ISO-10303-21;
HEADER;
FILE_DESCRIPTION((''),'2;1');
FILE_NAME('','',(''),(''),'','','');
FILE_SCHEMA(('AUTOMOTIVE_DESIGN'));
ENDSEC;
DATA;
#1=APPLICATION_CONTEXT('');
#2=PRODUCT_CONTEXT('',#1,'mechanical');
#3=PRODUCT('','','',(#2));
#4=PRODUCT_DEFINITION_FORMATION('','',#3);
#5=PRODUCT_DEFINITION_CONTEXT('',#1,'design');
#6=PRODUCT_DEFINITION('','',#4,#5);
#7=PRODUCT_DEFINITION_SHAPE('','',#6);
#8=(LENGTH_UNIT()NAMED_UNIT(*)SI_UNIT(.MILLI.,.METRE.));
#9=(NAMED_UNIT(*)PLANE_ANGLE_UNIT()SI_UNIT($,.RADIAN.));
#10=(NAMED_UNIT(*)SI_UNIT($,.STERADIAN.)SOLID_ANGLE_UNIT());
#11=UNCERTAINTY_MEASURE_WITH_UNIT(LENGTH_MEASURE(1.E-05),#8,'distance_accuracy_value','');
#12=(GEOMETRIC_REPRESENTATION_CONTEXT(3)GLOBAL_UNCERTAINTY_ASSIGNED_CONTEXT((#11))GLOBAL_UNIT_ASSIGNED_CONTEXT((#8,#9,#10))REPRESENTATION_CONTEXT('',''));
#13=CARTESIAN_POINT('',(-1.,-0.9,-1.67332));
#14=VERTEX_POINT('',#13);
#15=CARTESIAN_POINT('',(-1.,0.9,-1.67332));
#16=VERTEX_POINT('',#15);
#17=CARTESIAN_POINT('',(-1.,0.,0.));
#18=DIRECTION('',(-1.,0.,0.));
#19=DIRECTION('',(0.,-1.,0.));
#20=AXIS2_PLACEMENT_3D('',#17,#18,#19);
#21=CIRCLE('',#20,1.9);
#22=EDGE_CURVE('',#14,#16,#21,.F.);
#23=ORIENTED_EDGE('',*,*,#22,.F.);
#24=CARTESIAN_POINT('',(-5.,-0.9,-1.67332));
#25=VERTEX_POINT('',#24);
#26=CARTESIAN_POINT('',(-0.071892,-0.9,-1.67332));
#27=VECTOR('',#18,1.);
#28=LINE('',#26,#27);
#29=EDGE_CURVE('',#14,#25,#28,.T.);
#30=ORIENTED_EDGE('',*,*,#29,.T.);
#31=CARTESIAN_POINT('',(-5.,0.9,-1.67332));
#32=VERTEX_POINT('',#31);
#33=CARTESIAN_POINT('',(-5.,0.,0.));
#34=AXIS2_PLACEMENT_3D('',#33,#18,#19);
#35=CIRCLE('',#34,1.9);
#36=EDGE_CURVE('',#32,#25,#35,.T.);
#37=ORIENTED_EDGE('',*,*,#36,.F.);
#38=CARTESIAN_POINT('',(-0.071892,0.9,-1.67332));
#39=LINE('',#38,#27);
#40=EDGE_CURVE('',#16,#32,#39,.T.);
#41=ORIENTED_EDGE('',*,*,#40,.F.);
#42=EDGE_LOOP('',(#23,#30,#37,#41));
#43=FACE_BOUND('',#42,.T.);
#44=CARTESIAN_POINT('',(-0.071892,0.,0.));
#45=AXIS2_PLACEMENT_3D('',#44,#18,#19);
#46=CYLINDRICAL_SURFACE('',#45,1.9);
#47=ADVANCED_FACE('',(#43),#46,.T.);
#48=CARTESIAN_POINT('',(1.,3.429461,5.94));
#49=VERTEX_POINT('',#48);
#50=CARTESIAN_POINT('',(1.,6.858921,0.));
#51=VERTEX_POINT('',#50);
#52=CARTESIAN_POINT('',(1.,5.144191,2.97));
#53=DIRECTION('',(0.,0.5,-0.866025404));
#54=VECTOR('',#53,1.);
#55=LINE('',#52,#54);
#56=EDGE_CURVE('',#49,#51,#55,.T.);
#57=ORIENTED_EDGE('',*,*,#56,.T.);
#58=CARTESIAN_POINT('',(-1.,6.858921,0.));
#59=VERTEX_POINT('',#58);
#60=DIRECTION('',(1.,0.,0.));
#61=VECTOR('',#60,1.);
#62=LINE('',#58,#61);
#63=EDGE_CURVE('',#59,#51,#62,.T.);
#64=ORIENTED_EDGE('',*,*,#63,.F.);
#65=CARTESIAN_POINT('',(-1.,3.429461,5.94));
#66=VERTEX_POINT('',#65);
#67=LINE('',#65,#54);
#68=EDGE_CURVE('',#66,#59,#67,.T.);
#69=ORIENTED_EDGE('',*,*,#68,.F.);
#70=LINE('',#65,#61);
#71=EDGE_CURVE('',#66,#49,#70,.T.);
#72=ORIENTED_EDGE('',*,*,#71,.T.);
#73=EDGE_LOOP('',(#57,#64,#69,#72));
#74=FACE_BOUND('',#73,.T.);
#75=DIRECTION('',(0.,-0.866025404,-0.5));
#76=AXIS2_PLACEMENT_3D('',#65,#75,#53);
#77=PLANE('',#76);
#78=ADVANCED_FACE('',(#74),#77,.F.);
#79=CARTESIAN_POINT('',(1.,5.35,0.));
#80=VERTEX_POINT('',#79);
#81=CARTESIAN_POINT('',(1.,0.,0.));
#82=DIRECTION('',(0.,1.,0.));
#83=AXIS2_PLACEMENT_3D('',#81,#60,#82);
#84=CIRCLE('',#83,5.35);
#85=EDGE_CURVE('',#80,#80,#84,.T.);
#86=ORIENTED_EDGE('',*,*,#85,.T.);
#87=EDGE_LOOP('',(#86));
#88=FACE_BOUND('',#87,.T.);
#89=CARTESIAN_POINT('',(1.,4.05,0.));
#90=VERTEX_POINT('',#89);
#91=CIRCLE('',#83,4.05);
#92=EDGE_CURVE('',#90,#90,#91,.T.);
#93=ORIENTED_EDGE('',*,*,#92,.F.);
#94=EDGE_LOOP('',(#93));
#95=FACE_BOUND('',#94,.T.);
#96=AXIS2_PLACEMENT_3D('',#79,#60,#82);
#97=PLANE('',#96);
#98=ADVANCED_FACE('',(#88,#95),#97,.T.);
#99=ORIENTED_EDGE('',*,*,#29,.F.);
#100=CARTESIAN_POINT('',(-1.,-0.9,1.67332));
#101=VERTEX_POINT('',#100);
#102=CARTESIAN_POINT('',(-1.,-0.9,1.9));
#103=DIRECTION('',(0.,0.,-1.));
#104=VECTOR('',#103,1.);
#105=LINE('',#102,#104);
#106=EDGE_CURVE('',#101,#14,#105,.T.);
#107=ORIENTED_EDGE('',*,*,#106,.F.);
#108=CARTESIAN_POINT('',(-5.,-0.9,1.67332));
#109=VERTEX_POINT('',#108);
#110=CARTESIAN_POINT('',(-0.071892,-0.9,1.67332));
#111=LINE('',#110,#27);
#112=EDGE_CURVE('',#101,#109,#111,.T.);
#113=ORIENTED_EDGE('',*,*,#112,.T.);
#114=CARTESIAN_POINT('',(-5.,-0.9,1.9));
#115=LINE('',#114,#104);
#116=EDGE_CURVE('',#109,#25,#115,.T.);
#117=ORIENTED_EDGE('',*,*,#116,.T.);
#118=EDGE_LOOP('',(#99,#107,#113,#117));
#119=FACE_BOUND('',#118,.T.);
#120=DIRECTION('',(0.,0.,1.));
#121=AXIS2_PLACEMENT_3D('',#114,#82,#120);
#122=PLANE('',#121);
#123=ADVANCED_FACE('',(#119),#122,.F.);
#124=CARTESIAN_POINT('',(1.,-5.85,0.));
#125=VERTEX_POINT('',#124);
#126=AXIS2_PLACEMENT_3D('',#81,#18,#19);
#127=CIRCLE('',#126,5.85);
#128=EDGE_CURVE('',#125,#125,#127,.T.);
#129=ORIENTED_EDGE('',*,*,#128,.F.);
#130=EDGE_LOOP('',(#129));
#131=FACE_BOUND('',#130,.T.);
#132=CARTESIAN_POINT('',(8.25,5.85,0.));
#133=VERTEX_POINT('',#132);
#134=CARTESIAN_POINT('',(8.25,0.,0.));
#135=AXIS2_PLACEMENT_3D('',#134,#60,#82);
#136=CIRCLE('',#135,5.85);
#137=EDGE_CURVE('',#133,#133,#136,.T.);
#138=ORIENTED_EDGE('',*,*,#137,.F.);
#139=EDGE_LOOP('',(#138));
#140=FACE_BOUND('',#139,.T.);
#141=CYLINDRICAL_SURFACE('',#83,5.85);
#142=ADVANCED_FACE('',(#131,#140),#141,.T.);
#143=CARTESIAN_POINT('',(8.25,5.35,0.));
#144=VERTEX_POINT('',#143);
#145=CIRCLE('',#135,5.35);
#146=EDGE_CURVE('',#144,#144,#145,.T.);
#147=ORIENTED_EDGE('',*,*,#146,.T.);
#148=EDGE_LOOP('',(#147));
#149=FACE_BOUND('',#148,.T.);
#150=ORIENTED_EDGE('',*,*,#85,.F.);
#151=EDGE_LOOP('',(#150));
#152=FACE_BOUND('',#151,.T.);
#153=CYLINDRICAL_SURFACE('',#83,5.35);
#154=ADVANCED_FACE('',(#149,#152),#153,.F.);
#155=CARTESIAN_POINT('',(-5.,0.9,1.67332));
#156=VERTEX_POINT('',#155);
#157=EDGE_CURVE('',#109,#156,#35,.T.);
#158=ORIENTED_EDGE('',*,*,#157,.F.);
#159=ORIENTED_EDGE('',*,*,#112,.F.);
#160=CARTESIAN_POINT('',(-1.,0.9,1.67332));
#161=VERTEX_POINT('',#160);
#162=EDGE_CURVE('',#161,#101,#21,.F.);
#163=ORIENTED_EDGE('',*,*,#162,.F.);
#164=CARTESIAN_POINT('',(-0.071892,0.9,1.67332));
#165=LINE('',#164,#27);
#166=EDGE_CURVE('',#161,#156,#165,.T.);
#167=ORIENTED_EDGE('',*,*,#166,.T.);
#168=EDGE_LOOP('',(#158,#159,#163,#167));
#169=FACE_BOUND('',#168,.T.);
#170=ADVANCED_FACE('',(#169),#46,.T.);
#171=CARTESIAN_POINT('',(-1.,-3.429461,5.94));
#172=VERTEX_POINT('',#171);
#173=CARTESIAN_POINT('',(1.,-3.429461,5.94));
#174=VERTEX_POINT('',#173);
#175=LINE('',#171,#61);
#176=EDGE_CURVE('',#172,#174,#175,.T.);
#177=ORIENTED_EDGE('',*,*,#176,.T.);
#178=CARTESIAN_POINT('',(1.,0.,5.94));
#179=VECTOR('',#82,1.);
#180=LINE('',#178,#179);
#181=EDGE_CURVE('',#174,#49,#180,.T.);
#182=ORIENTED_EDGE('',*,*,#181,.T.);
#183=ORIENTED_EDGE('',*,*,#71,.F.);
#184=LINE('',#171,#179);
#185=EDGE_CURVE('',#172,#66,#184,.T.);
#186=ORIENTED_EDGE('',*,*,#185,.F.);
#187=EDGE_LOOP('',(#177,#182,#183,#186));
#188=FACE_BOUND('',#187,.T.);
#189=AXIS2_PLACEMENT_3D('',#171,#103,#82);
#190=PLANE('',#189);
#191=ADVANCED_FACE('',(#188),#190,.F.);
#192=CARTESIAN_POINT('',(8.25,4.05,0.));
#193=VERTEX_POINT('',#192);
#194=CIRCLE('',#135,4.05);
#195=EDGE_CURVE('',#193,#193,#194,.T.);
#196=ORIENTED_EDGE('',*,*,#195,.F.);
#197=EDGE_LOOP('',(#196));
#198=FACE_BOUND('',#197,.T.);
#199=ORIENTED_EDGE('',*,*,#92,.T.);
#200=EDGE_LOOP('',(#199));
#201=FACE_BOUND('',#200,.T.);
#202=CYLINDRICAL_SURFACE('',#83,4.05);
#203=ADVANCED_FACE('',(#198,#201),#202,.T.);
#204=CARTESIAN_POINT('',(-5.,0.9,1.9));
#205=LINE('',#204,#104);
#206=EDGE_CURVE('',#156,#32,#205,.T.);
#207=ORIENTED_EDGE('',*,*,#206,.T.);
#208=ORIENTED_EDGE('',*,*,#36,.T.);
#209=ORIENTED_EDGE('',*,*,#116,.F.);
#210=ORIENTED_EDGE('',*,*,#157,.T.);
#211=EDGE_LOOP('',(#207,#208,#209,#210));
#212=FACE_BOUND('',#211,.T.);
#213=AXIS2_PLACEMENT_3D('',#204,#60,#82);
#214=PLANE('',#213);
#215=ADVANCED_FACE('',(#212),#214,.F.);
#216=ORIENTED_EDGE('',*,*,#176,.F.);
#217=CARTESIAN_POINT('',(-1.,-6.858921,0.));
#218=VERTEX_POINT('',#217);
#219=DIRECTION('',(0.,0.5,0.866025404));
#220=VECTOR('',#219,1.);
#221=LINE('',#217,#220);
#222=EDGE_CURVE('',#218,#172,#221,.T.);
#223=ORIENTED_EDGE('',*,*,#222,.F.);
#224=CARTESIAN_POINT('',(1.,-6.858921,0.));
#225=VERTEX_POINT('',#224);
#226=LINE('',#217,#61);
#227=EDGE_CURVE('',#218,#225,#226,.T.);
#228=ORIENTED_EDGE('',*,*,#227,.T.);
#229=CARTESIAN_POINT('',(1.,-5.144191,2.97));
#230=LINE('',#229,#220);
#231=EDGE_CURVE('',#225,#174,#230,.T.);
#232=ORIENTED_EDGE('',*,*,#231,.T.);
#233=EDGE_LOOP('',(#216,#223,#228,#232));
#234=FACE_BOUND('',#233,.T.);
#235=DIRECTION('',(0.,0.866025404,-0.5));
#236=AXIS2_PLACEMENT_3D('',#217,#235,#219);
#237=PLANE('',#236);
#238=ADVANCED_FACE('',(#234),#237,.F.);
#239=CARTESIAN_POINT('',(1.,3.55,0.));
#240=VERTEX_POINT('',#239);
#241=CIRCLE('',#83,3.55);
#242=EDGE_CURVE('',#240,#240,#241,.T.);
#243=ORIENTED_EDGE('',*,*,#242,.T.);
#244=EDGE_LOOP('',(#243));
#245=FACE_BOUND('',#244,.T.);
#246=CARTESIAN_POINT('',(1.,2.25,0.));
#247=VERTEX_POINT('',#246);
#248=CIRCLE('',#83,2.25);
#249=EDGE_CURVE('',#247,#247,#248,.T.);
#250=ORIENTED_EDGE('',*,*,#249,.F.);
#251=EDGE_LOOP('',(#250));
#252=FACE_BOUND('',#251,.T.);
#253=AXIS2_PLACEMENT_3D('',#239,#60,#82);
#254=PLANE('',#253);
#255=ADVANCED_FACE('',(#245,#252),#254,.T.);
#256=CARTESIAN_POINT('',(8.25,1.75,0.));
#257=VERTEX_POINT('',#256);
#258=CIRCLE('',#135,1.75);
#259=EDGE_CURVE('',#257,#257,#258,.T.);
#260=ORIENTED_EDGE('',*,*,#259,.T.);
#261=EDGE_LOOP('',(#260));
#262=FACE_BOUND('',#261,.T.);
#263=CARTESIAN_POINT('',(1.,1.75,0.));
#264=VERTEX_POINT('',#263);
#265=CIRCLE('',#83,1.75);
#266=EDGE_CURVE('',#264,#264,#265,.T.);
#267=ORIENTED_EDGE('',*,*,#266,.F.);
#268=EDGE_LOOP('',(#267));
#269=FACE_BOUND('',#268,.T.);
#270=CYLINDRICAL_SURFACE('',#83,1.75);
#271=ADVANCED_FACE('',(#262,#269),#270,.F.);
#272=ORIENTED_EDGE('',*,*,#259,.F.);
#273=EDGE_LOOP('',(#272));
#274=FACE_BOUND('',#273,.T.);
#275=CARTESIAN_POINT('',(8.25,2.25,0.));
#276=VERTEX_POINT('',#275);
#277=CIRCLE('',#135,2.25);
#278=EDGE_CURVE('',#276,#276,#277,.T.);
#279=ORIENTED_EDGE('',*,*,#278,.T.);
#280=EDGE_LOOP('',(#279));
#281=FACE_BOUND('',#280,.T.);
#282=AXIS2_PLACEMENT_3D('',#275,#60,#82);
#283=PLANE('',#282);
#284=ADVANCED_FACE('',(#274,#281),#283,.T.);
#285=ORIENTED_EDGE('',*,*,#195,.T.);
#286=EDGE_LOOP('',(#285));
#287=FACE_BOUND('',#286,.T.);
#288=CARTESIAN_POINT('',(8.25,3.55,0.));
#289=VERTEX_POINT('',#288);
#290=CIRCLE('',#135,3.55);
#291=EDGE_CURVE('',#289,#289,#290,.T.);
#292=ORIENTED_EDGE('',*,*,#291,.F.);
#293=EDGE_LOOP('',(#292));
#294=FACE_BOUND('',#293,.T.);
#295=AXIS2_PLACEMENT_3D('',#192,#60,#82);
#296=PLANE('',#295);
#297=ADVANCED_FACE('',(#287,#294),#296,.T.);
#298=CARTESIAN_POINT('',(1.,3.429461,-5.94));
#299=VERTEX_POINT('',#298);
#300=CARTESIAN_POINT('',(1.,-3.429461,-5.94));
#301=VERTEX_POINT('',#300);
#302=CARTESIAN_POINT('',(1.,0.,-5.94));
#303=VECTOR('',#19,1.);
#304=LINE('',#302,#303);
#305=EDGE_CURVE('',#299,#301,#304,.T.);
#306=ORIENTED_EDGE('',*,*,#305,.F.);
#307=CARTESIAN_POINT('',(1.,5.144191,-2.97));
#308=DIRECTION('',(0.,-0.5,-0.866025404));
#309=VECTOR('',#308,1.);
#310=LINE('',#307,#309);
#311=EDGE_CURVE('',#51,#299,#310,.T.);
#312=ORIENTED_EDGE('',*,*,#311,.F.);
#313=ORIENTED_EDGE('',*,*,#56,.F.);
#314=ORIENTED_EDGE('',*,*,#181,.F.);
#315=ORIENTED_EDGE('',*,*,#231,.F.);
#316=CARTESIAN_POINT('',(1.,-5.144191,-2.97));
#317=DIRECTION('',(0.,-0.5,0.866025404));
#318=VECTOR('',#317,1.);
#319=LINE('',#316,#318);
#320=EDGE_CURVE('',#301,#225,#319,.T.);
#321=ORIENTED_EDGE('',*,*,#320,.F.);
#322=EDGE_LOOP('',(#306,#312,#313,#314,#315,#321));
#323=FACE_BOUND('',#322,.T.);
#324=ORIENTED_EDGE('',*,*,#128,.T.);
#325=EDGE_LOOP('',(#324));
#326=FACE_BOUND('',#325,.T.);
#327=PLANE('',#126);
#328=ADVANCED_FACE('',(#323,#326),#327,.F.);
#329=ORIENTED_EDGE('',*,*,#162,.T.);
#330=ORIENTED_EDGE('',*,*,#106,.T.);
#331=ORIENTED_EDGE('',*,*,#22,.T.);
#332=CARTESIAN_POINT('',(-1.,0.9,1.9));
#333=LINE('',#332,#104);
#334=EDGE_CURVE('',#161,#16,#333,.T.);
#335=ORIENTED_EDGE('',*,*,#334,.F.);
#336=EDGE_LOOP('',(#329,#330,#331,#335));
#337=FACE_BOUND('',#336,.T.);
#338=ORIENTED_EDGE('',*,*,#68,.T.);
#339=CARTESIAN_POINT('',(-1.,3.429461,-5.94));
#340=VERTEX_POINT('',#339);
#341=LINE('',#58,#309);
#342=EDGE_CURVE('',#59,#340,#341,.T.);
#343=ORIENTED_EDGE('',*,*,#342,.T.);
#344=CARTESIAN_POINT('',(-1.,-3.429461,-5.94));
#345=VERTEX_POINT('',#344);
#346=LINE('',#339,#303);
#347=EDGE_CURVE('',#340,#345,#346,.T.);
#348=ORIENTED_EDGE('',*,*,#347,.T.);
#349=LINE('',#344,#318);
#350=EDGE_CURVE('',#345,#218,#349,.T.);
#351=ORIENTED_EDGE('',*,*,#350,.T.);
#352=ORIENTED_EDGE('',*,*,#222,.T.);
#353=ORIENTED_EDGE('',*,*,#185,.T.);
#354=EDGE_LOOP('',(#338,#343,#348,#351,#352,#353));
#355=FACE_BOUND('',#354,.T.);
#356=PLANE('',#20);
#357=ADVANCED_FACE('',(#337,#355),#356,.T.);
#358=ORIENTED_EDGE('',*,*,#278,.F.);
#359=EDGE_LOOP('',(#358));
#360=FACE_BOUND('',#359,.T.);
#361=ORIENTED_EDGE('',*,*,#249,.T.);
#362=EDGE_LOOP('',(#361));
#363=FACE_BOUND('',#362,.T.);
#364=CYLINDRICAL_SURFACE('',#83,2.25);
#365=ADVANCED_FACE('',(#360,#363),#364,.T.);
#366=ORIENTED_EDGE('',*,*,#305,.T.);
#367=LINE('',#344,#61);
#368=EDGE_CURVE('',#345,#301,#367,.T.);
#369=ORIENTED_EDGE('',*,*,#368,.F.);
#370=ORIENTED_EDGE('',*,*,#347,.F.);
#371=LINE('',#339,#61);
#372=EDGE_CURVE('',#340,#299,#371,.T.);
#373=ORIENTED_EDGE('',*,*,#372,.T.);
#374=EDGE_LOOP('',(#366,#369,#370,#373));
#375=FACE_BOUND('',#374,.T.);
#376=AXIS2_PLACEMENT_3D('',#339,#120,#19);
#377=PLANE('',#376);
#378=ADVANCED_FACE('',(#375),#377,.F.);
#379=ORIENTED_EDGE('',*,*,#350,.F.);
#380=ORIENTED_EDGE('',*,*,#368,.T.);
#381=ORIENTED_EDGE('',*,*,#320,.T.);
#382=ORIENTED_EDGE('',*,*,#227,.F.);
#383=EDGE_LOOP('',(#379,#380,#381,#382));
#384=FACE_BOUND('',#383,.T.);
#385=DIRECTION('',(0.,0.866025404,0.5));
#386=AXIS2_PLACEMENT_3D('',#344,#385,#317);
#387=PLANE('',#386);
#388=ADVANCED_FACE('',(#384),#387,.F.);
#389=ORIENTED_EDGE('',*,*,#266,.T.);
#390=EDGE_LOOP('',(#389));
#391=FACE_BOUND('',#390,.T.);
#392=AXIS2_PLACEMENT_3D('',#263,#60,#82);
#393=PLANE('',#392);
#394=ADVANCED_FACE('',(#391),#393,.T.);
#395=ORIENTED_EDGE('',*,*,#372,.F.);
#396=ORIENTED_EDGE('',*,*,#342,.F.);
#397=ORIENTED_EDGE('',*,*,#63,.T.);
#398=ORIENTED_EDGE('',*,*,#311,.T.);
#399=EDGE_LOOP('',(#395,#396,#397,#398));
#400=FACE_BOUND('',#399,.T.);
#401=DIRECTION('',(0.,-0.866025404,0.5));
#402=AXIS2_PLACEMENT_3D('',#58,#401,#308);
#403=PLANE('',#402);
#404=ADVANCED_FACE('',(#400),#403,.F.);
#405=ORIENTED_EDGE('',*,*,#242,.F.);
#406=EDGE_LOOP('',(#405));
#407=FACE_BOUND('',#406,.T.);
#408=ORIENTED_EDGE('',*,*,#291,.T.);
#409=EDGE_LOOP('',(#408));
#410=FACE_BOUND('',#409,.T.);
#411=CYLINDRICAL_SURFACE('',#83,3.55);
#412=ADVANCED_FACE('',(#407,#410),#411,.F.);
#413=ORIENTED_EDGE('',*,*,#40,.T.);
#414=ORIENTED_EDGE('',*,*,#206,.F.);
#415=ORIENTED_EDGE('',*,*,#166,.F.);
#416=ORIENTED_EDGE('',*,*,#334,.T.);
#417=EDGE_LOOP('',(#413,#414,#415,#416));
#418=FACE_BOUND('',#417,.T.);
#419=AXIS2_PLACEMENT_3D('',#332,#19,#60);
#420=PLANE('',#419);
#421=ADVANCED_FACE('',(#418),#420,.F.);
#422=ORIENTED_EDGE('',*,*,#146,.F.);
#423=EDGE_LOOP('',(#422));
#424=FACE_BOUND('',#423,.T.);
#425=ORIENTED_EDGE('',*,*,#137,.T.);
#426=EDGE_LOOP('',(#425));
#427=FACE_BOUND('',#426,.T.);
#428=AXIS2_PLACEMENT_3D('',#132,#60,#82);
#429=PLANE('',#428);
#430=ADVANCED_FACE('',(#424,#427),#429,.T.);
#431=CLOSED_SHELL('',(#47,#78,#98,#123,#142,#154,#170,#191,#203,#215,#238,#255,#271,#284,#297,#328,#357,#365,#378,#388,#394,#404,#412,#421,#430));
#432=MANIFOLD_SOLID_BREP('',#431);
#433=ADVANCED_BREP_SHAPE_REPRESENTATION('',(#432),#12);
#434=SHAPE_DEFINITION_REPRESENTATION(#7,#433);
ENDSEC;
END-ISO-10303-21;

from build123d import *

# Parameters (mm, degrees)
BOSS_EXTRUDE1_DEPTH = 1
BOSS_EXTRUDE2_START = -1
SKETCH2_3_R         = 5.85
BOSS_EXTRUDE2_DEPTH = 1
SKETCH3_W           = 4
SKETCH3_H           = 1.8
BOSS_EXTRUDE3_DEPTH = 1.9
CUT_EXTRUDE1_DEPTH  = 4


with BuildPart() as part:
    # Sketch1 → Revolve1 (revolve)
    with BuildSketch(Plane.XY):
        Polygon((0, 0), (0, 5.85), (8.25, 5.85), (8.25, 5.35), (1, 5.35), (1, 4.05), (8.25, 4.05), (8.25, 3.55), (1, 3.55), (1, 2.25), (8.25, 2.25), (8.25, 1.75), (1, 1.75), (1, 0), align=None)
    revolve(axis=Axis((1, 0, 0), (-1, 0, 0)))

    # Sketch2 → Boss-Extrude1 (add)
    with BuildSketch(Plane.ZY):
        Polygon((0, 6.858921198), (-5.94, 3.429460599), (-5.94, -3.429460599), (0, -6.858921198), (5.94, -3.429460599), (5.94, 3.429460599), align=None)
    extrude(amount=BOSS_EXTRUDE1_DEPTH)

    # Sketch2<3> → Boss-Extrude2 (add)
    with BuildSketch(Plane.ZY.offset(BOSS_EXTRUDE2_START)):
        Polygon((5.94, -3.429460599), (5.94, 3.429460599), (0, 6.858921198), (-5.94, 3.429460599), (-5.94, -3.429460599), (0, -6.858921198), align=None)
        with Locations(Location((0, 0, 0), (0, 0, 90))):
            Circle(SKETCH2_3_R, mode=Mode.SUBTRACT)
    extrude(amount=BOSS_EXTRUDE2_DEPTH)

    # Sketch3 → Boss-Extrude3 (add, symmetric)
    with BuildSketch(Plane.XY):
        with Locations((-3, 0)):
            Rectangle(SKETCH3_W, SKETCH3_H)
    extrude(amount=BOSS_EXTRUDE3_DEPTH, both=True)

    # Sketch4 → Cut-Extrude1 (cut)
    with BuildSketch(Plane.ZY.offset(5)):
        with BuildLine():
            Line((-1.9, 0.9), (-1.9, 0))
            ThreePointArc((-1.9, 0), (-1.842458697, 0.464053822), (-1.673320053, 0.9))
            Line((-1.673320053, 0.9), (-1.9, 0.9))
        make_face()
        with BuildLine():
            Line((-1.9, 0), (-1.9, -0.9))
            Line((-1.9, -0.9), (-1.673320053, -0.9))
            ThreePointArc((-1.673320053, -0.9), (-1.842458697, -0.464053822), (-1.9, 0))
        make_face()
        with BuildLine():
            ThreePointArc((1.9, 0), (1.842458697, -0.464053822), (1.673320053, -0.9))
            Line((1.673320053, -0.9), (1.9, -0.9))
            Line((1.9, -0.9), (1.9, 0))
        make_face()
        with BuildLine():
            ThreePointArc((1.673320053, 0.9), (1.842458697, 0.464053822), (1.9, 0))
            Line((1.9, 0), (1.9, 0.9))
            Line((1.9, 0.9), (1.673320053, 0.9))
        make_face()
    extrude(amount=-CUT_EXTRUDE1_DEPTH, mode=Mode.SUBTRACT)


solid = part.part
